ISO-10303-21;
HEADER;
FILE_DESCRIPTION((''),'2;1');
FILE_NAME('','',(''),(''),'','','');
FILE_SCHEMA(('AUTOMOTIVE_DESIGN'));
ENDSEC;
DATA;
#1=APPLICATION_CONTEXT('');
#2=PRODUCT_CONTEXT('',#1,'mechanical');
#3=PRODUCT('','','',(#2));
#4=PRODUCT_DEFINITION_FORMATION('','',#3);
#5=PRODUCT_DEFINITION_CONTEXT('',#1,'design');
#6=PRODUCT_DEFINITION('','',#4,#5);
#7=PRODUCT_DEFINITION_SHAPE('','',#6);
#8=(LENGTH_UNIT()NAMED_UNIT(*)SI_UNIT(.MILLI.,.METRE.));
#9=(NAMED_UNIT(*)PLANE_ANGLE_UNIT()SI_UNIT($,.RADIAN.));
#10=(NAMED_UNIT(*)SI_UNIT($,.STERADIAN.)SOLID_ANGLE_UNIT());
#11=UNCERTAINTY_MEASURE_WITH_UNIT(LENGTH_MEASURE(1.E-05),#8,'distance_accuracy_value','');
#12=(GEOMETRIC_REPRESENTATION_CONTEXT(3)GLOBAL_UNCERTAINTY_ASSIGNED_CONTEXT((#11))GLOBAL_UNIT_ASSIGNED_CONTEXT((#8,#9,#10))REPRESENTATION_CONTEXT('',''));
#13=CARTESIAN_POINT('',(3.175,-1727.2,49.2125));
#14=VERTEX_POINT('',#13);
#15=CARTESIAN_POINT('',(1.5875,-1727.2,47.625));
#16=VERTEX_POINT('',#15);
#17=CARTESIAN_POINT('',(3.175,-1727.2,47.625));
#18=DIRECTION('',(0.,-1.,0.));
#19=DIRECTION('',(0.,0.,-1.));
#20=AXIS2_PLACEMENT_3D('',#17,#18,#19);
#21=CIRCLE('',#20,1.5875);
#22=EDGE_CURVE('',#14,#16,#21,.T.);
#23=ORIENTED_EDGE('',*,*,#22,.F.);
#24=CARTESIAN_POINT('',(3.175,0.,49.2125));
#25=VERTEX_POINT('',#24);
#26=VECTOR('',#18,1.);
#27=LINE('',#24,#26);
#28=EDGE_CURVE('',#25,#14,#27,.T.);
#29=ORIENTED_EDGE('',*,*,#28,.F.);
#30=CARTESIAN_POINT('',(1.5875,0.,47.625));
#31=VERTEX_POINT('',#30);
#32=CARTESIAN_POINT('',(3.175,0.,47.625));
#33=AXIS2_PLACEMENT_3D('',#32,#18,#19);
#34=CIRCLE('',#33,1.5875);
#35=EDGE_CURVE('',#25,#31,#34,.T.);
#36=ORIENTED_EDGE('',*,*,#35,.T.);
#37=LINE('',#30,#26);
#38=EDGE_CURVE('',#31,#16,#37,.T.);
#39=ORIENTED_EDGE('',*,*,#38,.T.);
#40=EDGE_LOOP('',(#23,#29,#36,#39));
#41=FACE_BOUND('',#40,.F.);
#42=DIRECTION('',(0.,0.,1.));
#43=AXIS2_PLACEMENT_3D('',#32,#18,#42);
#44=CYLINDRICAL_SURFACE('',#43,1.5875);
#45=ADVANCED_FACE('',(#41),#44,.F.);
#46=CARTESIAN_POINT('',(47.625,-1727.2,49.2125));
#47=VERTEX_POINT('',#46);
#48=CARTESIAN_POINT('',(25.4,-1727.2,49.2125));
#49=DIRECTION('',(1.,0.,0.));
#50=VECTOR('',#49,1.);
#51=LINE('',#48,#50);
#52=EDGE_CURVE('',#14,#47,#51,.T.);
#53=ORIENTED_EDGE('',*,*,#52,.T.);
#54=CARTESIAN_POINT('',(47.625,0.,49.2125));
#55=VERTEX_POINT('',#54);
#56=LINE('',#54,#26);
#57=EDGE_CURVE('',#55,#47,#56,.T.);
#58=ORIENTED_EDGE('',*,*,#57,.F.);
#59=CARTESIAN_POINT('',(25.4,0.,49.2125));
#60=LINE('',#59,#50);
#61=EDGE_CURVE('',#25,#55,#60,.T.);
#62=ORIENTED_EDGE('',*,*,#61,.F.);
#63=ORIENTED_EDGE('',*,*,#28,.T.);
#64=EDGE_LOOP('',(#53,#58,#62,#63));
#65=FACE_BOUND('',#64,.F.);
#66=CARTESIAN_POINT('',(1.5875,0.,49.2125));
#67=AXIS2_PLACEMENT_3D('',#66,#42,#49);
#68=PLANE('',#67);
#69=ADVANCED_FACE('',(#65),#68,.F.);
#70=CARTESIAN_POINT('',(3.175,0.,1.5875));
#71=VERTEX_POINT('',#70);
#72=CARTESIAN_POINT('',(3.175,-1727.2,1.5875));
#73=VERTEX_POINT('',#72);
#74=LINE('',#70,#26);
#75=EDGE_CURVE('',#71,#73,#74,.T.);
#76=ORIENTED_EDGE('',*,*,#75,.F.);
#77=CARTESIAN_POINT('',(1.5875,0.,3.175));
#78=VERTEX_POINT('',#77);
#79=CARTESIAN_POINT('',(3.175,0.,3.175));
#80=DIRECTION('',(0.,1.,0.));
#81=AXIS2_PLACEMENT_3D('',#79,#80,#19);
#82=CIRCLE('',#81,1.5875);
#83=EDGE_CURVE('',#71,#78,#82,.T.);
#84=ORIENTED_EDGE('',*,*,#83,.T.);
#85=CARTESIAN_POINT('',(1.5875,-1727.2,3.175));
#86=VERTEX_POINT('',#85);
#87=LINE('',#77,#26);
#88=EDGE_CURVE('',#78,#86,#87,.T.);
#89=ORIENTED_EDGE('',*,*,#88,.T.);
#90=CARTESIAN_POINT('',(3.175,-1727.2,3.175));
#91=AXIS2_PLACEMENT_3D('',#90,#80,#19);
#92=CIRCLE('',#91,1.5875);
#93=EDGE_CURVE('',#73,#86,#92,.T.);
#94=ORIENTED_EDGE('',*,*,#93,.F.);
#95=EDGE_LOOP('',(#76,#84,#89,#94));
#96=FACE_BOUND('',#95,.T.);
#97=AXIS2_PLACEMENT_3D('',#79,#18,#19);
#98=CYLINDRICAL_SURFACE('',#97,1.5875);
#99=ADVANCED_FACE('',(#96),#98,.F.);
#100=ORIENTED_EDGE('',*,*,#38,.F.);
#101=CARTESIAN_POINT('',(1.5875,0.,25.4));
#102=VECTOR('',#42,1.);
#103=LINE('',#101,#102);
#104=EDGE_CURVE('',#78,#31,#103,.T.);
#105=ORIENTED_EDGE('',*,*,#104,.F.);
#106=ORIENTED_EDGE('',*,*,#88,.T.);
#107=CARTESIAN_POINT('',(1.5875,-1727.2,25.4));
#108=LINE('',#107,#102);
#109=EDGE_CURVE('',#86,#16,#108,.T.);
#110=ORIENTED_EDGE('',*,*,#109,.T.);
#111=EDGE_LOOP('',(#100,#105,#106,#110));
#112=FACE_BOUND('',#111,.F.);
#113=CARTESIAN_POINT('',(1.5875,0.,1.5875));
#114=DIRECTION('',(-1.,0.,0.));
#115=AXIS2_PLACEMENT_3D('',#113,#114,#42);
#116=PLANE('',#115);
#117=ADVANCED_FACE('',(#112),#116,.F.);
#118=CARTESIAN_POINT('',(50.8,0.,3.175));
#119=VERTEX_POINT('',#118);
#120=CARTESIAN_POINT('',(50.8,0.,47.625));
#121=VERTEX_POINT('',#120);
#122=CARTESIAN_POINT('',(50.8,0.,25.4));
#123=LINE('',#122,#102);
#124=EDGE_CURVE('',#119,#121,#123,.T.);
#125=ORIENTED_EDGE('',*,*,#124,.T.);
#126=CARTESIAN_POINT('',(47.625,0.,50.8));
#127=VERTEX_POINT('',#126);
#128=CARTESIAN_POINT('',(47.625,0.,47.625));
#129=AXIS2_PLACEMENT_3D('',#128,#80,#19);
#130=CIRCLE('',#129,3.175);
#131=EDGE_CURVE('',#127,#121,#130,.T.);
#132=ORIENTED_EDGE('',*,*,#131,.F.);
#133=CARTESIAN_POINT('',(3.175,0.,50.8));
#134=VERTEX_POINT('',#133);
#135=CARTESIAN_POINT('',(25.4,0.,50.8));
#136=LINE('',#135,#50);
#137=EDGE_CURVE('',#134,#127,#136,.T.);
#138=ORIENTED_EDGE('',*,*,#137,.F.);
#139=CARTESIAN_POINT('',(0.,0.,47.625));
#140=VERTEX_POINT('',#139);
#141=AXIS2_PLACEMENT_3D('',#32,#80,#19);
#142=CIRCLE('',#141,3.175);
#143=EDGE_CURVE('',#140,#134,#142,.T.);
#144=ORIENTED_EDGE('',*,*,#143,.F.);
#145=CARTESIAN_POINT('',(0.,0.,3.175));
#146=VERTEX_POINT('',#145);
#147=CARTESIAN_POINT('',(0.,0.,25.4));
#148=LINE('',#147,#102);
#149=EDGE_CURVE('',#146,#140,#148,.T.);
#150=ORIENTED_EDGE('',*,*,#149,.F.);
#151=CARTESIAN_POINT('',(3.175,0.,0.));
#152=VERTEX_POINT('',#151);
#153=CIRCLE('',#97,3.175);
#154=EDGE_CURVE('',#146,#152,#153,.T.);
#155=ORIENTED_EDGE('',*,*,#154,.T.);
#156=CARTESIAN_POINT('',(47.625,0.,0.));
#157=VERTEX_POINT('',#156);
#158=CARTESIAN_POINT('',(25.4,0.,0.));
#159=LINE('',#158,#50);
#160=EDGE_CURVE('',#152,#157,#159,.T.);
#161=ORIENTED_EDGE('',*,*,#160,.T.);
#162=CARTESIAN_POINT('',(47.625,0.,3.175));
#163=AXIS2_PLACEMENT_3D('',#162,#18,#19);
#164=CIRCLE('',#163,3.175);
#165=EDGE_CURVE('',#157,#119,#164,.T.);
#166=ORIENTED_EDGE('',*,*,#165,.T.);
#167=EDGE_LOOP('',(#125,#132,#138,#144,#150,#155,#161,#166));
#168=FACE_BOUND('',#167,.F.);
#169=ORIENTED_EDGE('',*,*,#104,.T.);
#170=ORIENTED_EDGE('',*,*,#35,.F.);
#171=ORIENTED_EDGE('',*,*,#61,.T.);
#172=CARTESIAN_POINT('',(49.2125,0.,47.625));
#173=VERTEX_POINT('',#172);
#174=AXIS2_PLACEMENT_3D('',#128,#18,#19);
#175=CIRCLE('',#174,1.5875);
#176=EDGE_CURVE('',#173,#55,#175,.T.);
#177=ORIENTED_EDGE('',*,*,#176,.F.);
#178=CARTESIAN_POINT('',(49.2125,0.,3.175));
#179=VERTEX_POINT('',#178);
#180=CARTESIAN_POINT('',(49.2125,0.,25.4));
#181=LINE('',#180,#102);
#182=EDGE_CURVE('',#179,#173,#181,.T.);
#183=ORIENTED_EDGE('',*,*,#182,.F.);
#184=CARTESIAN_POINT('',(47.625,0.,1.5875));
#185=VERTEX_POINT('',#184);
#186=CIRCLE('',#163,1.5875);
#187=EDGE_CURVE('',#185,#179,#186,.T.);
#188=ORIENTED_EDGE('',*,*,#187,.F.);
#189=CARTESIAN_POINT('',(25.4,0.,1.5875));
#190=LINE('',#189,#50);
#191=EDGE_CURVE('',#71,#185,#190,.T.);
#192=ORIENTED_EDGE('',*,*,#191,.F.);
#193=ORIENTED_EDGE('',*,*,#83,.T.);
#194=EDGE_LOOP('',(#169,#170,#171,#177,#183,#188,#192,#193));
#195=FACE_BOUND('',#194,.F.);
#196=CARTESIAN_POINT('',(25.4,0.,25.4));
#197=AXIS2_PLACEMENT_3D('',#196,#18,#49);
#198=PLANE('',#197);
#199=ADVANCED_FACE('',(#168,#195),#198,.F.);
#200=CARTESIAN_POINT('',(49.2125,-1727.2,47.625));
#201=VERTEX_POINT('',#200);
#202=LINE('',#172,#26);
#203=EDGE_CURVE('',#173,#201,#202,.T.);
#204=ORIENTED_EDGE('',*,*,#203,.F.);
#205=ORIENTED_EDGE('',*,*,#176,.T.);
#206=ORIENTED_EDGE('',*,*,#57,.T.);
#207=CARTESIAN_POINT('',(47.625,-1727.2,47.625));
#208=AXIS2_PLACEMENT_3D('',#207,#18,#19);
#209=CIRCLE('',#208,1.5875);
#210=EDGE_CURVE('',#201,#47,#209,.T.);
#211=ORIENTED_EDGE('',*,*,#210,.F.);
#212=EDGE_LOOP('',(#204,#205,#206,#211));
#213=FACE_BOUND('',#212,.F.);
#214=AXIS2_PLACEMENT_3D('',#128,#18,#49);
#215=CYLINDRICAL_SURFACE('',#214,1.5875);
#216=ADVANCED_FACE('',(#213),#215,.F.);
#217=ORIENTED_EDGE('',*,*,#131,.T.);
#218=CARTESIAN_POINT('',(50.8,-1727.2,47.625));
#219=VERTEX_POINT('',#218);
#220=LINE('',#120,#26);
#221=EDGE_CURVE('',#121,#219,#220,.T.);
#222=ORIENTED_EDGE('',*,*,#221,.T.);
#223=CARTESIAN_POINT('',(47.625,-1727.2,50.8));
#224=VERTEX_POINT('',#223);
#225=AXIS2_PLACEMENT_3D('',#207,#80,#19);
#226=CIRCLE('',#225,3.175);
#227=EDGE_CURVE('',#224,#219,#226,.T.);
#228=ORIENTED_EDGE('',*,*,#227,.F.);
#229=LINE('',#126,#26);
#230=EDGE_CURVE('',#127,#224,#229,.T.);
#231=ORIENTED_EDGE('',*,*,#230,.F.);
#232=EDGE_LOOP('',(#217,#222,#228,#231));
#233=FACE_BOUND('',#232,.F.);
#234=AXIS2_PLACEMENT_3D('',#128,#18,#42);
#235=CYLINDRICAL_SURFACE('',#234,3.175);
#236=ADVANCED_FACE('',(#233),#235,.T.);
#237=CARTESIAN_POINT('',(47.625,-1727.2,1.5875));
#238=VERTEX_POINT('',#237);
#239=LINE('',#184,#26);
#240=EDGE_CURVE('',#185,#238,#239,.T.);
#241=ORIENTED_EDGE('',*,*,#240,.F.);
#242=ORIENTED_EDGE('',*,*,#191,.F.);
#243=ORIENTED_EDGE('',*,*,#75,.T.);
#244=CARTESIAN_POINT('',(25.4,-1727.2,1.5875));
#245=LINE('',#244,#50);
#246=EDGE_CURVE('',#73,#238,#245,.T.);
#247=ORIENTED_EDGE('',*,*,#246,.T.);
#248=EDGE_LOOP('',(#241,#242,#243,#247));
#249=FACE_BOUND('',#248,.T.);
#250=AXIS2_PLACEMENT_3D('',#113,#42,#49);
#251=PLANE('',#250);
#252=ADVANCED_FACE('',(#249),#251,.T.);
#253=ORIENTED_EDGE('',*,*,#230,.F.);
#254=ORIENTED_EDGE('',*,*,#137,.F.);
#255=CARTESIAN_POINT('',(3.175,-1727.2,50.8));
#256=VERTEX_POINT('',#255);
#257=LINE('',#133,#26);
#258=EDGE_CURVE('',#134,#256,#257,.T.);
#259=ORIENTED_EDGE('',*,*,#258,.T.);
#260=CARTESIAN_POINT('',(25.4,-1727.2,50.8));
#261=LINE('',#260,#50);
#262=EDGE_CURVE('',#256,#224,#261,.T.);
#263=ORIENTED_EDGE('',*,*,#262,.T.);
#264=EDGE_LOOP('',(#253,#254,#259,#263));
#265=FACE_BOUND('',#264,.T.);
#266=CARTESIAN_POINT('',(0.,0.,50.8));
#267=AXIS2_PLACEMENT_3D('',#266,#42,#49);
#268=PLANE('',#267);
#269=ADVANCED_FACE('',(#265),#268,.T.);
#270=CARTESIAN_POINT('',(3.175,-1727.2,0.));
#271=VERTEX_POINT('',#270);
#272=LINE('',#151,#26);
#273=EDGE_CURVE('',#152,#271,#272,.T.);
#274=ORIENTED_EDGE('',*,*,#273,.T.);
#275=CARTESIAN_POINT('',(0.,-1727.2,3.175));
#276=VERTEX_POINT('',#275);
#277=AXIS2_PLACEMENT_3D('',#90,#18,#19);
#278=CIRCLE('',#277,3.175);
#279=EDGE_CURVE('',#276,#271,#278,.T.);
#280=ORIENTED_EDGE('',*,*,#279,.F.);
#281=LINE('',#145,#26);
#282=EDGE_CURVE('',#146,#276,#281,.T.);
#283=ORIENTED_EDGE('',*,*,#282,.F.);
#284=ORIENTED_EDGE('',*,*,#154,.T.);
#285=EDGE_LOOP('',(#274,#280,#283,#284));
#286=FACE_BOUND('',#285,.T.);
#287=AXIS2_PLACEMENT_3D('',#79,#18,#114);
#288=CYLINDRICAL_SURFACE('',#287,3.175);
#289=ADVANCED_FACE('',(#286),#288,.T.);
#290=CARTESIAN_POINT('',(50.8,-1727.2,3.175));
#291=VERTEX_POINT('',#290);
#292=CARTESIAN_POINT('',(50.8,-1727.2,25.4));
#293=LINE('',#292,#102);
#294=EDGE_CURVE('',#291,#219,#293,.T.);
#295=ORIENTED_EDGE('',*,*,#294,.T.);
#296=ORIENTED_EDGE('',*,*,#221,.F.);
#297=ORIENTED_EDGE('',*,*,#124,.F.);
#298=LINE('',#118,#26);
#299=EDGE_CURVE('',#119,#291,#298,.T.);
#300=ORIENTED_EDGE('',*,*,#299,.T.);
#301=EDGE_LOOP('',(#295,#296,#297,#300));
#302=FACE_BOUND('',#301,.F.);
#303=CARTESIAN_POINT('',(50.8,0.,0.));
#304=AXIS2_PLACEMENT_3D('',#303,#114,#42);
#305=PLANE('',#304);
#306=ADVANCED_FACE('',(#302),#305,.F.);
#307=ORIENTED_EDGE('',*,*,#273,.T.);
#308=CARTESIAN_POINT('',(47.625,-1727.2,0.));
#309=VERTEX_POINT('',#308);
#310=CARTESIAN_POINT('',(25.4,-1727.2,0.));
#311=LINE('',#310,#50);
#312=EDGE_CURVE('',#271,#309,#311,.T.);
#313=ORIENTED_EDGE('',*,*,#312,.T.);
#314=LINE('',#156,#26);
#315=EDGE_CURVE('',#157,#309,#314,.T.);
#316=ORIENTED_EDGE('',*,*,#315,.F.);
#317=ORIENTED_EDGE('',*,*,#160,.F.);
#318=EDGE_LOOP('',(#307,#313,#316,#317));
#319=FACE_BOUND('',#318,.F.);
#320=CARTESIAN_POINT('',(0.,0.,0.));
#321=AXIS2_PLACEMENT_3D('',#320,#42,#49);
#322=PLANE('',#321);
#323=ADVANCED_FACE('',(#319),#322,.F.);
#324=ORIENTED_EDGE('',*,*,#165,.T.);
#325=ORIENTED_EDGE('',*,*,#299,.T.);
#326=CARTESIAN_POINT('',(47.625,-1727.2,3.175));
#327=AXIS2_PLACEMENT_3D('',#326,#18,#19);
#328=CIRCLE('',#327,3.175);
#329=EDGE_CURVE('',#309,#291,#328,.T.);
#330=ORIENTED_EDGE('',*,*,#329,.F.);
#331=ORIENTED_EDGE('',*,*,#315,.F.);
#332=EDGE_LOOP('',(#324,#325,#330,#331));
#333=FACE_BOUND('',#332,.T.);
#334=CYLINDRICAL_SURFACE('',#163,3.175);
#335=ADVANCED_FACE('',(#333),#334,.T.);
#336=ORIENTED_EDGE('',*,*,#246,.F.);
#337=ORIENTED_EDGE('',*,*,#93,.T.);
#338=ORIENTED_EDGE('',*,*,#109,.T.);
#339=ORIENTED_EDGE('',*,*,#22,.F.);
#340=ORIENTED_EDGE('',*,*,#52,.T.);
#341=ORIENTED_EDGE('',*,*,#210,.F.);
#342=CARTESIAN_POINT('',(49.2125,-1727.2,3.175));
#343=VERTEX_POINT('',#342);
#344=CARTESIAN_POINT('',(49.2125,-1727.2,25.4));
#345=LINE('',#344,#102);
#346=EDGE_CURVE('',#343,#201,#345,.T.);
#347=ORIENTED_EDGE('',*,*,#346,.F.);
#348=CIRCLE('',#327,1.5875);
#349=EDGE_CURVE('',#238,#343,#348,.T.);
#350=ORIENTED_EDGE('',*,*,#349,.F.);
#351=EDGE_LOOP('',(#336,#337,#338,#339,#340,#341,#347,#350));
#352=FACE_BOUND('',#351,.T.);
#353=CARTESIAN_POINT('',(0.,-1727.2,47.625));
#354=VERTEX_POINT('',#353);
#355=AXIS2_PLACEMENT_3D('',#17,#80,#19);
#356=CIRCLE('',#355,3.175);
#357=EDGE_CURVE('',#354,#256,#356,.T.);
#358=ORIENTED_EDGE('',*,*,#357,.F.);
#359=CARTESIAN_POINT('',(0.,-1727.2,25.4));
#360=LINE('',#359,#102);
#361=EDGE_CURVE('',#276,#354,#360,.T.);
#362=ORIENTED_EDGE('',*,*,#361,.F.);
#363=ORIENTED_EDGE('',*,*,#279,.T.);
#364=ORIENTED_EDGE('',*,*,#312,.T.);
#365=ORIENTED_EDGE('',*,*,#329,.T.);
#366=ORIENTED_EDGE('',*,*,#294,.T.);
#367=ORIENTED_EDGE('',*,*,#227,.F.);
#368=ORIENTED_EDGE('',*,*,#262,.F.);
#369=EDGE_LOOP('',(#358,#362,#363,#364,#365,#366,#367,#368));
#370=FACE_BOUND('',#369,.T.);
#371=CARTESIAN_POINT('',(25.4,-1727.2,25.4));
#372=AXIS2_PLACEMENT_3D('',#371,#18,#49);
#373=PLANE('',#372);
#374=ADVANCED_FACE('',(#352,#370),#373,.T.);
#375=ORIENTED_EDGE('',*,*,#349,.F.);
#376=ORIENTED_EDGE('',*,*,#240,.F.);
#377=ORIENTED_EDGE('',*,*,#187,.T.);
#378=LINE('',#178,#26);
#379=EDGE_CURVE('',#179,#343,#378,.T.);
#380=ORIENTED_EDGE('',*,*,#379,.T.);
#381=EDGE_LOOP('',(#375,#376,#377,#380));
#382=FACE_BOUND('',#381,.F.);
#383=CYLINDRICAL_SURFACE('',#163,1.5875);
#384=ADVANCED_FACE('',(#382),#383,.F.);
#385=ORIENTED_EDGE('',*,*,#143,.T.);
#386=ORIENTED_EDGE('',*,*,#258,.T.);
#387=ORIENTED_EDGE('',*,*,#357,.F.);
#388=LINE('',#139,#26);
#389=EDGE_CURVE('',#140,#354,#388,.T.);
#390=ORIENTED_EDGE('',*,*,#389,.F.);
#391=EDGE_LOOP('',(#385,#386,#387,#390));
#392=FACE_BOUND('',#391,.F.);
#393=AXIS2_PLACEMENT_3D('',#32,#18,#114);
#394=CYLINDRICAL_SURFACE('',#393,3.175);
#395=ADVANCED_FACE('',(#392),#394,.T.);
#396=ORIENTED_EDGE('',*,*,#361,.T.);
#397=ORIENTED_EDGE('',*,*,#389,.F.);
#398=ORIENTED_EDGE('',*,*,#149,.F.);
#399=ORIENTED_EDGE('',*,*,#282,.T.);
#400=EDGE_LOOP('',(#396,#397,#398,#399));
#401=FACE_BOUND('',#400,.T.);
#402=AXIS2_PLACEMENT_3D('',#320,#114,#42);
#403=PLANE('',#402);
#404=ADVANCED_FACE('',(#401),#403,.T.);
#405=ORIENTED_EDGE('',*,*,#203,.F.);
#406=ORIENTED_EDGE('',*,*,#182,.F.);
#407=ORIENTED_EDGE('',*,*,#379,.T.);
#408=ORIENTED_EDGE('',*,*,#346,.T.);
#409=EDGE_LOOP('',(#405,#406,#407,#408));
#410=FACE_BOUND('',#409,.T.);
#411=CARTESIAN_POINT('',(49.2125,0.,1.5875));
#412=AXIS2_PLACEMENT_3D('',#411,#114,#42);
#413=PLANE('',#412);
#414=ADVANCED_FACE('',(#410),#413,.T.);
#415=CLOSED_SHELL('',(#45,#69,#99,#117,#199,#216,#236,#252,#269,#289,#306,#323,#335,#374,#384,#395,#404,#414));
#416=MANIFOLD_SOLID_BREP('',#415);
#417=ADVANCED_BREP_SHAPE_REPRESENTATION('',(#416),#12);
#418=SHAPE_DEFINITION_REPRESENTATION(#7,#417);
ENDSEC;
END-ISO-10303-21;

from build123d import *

# Parameters (mm, degrees)
F0_W     = 50.8
F0_H     = 50.8
F0_W_2   = 47.625
F0_H_2   = 47.625
F1_DEPTH = 1727.2
F2_R     = 3.175
F3_R     = 1.5875


with BuildPart() as f1:
    # F0 (on Front) → F1 (new body)
    with BuildSketch(Plane.XZ):
        with Locations((25.4, 25.4)):
            Rectangle(F0_W, F0_H)
        with Locations((25.4, 25.4)):
            Rectangle(F0_W_2, F0_H_2, mode=Mode.SUBTRACT)
    extrude(amount=F1_DEPTH)

    # F2
    f2_edges = [f1.edges().sort_by_distance(p)[0] for p in [
        (0, -863.6, 50.8),
        (50.8, -863.6, 50.8),
        (50.8, -863.6, 0),
        (0, -863.6, 0),
    ]]
    fillet(f2_edges, radius=F2_R)

    # F3
    f3_edges = [f1.edges().sort_by_distance(p)[0] for p in [
        (1.5875, -863.6, 49.2125),
        (49.2125, -863.6, 49.2125),
        (1.5875, -863.6, 1.5875),
        (49.2125, -863.6, 1.5875),
    ]]
    fillet(f3_edges, radius=F3_R)


solid = f1.part
